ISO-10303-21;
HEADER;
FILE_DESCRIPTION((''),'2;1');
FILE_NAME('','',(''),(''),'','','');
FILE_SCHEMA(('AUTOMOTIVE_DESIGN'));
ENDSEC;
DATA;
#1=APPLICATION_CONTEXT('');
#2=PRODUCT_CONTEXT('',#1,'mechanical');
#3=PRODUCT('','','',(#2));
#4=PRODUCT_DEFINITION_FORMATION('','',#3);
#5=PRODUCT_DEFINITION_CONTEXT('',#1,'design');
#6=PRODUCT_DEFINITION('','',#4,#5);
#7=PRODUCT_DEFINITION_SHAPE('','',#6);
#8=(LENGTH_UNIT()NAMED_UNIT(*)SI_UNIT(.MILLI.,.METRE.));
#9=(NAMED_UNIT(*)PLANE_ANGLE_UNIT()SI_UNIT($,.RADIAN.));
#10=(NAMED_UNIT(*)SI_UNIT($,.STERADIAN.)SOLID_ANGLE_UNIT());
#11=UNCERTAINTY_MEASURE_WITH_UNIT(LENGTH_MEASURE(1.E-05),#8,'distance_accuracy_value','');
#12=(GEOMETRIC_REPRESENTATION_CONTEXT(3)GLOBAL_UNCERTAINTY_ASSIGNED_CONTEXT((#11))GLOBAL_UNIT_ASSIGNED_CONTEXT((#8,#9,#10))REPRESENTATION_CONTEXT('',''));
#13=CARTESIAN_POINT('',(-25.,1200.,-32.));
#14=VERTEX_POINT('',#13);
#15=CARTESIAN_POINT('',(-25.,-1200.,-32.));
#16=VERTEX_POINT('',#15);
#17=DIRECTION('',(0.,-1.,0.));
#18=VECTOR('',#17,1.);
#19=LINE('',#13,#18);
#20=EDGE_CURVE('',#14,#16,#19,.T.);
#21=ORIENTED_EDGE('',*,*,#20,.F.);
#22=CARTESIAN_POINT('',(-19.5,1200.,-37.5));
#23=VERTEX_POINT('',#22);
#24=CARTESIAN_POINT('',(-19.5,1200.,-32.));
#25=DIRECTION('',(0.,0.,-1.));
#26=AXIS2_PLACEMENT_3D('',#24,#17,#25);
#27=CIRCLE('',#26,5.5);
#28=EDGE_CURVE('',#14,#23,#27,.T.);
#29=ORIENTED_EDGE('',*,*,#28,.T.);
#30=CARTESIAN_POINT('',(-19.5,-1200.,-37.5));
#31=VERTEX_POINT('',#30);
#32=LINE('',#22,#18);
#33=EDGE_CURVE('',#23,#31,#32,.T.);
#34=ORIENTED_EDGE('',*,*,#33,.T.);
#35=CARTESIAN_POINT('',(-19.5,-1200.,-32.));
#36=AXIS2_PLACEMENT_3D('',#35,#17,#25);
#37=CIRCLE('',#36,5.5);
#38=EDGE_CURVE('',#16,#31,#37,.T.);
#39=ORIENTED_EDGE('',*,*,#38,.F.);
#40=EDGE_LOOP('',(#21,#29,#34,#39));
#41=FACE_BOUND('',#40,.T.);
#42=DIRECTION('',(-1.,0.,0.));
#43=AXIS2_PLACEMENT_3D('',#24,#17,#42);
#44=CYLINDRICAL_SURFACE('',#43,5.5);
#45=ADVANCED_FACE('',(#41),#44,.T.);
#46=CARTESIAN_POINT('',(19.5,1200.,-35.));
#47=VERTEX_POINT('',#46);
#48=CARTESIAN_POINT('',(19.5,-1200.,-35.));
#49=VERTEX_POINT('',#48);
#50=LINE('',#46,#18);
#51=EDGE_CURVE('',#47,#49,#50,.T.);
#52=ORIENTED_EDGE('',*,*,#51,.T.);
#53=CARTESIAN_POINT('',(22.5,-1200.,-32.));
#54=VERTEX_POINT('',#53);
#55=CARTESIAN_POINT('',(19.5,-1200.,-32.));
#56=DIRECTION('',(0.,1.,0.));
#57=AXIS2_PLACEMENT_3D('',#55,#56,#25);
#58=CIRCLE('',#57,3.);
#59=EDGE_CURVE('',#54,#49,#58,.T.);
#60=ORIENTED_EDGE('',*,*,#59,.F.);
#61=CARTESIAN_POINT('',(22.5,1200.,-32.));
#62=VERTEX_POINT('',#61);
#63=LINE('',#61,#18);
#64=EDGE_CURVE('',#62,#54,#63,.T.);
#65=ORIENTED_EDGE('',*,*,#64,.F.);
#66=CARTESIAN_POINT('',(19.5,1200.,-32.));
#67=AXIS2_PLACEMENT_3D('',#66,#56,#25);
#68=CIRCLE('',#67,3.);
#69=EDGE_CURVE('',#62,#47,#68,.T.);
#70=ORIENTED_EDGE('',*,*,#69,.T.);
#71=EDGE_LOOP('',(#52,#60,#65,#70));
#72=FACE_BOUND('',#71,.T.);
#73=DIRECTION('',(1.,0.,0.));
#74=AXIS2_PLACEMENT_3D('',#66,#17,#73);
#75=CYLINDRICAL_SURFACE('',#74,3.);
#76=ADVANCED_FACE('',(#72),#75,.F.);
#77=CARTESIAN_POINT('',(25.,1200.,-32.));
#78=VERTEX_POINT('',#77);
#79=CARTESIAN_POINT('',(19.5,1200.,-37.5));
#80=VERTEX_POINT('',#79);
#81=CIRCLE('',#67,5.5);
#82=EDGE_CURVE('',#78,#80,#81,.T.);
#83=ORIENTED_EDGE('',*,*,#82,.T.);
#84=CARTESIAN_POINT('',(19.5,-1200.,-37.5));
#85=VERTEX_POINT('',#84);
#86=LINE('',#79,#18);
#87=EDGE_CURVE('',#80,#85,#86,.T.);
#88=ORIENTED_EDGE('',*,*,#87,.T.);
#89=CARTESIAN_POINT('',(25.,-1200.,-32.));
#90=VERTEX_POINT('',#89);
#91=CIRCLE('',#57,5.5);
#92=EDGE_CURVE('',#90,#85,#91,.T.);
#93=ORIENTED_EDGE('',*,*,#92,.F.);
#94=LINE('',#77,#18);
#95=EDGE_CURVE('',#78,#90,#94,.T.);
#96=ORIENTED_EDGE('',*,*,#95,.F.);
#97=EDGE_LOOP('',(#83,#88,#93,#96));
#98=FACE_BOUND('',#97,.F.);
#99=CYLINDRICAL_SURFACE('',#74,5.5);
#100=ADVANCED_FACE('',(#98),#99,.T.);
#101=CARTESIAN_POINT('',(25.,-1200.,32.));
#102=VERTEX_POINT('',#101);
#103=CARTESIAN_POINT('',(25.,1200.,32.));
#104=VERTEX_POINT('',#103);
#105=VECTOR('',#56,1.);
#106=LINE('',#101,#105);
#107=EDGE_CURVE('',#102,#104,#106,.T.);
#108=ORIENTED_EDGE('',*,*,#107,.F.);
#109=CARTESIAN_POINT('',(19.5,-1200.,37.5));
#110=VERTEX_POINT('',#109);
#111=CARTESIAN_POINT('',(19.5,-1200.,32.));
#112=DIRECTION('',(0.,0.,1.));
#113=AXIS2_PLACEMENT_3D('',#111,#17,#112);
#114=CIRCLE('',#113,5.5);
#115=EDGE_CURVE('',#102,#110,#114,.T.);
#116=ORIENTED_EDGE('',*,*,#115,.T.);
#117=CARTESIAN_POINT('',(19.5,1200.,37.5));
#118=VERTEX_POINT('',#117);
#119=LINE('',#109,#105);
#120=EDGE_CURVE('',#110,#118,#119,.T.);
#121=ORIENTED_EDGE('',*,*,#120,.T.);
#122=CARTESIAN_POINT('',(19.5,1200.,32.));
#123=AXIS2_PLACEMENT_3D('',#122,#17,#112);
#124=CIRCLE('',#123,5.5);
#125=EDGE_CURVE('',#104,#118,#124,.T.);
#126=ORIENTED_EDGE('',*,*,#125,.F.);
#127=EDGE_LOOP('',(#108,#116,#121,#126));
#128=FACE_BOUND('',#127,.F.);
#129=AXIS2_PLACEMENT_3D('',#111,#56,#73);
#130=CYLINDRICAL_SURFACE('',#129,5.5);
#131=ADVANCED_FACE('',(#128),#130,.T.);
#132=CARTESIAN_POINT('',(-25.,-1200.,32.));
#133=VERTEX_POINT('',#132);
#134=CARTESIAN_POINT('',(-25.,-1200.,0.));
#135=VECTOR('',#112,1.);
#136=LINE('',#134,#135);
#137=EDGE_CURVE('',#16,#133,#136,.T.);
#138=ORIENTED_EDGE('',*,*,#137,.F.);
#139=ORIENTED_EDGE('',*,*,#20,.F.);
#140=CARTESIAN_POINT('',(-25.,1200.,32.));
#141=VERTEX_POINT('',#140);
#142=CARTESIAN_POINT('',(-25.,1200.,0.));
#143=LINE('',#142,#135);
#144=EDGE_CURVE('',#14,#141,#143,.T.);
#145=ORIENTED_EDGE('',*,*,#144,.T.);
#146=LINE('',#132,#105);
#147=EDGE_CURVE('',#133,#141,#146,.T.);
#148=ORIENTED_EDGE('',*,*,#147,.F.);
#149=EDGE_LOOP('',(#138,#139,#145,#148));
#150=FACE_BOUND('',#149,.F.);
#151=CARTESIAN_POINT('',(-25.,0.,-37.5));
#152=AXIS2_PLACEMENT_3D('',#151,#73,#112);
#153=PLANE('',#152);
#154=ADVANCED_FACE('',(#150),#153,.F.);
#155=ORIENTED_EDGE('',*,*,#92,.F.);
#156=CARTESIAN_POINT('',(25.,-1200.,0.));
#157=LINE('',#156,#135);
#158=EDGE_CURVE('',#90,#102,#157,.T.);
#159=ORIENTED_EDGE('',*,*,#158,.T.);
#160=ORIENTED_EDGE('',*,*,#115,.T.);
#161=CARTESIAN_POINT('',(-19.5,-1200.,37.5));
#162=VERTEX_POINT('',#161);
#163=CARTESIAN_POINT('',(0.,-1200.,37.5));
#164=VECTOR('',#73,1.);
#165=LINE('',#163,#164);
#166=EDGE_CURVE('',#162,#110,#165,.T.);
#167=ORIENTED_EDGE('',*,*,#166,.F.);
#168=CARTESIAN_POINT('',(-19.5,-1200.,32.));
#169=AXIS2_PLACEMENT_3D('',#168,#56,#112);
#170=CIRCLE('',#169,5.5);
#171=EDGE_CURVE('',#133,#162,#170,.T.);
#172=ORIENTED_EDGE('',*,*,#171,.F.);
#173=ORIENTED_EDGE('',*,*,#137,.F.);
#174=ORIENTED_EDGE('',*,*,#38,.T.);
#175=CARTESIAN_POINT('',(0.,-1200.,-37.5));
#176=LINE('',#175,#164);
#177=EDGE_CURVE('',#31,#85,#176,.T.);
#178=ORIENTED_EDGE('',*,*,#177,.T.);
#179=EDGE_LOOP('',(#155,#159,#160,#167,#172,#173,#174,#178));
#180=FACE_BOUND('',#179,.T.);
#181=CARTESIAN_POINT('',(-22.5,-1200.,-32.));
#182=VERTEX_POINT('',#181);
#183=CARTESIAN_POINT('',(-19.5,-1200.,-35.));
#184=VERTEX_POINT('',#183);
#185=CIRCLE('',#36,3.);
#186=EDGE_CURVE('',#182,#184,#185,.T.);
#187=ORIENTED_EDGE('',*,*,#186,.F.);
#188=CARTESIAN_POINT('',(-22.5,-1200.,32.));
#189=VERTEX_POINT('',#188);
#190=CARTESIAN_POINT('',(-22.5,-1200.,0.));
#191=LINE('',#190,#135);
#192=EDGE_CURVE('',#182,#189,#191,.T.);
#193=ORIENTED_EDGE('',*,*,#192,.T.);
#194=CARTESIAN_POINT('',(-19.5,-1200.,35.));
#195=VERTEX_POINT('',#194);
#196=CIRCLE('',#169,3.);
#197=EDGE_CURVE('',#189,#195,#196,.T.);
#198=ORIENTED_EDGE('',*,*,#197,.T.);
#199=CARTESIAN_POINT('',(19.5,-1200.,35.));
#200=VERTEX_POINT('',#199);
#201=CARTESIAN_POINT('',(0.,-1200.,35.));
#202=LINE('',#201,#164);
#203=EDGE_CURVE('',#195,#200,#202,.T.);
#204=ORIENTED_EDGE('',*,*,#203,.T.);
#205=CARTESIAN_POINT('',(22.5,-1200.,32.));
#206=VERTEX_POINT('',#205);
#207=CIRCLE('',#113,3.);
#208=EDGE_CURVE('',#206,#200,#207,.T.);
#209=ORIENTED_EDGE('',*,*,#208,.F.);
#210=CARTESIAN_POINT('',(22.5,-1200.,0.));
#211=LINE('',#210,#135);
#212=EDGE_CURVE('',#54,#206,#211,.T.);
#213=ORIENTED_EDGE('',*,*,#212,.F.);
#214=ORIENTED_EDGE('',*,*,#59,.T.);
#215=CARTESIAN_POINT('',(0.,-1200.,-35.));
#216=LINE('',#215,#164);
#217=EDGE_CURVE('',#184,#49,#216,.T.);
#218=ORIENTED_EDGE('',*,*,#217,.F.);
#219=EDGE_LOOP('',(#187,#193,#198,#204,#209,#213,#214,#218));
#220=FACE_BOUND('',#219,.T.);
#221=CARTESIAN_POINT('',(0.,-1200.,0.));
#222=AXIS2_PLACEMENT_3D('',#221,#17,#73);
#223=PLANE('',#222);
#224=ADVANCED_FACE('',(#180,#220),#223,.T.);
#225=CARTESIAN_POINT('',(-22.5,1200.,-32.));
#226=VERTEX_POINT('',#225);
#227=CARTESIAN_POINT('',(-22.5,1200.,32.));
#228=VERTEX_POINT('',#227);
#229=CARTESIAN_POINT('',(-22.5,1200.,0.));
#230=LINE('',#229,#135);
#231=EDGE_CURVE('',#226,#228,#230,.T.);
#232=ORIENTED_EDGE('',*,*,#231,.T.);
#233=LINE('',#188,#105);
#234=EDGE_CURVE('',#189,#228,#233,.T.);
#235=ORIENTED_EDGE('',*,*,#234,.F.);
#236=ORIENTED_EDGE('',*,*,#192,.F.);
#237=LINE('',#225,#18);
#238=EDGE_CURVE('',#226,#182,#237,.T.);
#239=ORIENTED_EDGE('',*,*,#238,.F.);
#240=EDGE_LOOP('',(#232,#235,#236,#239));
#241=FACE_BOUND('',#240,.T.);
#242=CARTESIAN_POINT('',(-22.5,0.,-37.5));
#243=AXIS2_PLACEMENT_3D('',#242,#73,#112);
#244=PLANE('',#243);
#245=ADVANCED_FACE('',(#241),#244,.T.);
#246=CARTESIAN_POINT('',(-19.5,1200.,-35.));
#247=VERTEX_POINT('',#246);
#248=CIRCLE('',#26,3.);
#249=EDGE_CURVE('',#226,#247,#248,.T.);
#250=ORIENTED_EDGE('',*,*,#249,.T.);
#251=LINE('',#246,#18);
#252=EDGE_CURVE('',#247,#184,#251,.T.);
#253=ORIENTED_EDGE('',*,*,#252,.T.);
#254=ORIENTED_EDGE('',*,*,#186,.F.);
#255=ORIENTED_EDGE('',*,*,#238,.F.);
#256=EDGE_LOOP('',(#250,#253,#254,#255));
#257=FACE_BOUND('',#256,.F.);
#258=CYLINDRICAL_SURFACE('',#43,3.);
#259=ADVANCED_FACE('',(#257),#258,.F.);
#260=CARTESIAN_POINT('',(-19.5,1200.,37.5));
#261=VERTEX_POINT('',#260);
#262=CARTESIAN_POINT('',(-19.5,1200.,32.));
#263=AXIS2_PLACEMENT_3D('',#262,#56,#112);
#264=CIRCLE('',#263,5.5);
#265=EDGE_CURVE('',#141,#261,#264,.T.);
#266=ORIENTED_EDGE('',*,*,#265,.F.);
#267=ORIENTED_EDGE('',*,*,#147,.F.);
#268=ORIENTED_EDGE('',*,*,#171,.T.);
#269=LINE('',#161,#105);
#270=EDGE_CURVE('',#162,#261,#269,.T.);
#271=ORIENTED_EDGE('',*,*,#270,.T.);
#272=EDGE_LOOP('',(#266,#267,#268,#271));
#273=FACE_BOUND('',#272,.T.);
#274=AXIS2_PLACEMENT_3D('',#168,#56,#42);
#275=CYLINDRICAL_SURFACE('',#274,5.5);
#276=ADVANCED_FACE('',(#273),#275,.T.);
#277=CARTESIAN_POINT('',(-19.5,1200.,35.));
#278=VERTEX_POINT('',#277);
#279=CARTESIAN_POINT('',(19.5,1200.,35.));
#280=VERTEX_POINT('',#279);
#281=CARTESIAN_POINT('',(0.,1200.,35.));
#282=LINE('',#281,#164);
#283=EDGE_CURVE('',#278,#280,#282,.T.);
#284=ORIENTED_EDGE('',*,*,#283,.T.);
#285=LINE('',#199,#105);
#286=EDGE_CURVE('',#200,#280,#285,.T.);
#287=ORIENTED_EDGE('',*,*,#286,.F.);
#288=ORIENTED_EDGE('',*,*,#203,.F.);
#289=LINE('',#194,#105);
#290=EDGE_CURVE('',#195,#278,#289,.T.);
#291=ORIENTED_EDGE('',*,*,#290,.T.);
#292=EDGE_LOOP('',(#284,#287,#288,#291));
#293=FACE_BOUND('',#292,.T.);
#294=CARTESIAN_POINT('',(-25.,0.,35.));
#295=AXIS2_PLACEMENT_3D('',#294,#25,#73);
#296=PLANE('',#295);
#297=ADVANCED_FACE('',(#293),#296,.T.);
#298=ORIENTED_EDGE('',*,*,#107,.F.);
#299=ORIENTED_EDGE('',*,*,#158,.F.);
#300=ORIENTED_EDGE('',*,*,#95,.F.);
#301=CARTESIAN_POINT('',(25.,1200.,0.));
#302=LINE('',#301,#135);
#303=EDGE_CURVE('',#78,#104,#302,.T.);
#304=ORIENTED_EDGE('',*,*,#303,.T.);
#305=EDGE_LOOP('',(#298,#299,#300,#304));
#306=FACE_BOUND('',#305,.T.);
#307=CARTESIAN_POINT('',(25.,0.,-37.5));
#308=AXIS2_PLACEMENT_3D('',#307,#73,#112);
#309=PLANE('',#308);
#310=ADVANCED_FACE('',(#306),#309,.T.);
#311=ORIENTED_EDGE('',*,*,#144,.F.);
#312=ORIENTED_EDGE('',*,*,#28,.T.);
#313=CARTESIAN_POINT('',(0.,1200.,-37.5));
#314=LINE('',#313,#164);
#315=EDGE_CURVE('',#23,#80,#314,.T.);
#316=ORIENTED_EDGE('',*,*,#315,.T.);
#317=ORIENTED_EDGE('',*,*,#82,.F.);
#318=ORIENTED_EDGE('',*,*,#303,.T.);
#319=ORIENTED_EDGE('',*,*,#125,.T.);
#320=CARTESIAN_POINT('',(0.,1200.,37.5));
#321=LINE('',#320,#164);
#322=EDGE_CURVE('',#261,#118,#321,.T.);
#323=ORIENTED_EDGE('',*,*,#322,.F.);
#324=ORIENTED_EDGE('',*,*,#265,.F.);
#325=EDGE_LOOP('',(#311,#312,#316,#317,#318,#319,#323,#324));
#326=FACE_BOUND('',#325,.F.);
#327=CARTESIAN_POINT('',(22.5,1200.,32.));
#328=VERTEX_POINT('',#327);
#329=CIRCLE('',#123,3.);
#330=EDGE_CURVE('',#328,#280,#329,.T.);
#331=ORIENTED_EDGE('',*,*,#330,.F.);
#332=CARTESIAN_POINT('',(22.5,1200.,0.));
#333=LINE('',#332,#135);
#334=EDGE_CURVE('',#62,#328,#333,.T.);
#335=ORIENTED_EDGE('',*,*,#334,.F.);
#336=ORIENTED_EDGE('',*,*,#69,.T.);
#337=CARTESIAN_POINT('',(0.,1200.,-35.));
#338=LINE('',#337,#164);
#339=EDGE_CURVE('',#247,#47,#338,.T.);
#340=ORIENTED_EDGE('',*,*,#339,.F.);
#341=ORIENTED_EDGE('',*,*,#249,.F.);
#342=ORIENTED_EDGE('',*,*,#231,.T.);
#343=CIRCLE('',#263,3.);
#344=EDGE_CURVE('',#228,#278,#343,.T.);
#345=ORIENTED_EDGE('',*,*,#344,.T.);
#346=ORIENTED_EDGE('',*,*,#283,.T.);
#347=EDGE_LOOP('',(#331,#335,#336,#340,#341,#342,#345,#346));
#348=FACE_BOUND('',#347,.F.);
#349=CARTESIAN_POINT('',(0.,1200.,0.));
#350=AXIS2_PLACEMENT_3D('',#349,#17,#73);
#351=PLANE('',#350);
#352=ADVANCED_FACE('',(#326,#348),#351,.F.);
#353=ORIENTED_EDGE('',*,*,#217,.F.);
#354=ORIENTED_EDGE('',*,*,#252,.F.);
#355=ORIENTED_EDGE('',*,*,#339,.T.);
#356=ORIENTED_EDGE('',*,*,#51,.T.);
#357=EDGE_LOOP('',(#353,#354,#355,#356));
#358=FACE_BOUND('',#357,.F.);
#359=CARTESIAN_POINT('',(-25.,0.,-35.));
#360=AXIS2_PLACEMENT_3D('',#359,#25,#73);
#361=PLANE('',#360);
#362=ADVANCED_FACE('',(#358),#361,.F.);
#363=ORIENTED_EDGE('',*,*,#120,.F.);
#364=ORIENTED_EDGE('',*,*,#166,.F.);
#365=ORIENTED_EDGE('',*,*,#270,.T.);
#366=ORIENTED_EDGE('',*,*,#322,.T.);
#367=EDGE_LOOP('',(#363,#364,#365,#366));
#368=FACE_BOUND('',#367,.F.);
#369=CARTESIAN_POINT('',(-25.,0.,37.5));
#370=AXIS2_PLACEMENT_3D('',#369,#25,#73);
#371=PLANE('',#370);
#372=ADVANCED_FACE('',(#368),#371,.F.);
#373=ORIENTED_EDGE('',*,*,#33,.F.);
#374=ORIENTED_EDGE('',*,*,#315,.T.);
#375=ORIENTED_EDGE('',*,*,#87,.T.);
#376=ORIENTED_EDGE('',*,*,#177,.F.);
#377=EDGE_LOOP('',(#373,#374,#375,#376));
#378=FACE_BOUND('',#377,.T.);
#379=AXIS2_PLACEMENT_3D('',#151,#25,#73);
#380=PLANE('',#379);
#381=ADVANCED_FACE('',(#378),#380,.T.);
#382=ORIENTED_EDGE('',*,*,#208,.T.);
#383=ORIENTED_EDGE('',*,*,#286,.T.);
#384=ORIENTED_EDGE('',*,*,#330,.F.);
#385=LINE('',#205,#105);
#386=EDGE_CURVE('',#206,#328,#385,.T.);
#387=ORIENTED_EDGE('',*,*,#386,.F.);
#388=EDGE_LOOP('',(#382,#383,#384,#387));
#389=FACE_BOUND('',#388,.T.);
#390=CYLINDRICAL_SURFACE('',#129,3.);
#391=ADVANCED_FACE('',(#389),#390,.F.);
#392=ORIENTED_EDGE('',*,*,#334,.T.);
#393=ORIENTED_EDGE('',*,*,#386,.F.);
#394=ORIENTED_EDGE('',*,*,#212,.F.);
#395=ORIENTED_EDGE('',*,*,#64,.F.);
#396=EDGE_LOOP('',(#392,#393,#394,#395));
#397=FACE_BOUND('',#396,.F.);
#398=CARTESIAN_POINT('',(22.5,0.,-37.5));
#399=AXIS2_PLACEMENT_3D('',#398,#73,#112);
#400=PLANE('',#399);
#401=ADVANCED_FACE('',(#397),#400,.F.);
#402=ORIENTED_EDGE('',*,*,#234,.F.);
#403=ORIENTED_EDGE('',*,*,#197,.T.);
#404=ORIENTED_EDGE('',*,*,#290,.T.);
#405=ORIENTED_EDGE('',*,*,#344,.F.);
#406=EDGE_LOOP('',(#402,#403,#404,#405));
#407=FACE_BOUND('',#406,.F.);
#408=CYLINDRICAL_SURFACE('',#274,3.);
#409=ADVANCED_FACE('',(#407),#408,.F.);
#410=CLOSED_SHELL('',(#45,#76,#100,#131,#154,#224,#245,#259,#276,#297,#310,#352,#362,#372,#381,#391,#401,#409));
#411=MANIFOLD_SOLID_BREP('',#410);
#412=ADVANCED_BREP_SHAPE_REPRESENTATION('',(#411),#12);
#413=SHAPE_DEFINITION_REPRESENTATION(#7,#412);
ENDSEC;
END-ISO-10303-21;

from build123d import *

# Parameters (mm, degrees)
F0_W     = 50
F0_H     = 75
F1_DEPTH = 1200
F2_R     = 5.5
F3_T     = -2.5


with BuildPart() as f1:
    # F0 (on Front) → F1 (new body, symmetric)
    with BuildSketch(Plane.XZ):
        Rectangle(F0_W, F0_H)
    extrude(amount=F1_DEPTH, both=True)

    # F2
    f2_edges = [f1.edges().sort_by_distance(p)[0] for p in [
        (25, 0, 37.5),
        (-25, 0, 37.5),
        (-25, 0, -37.5),
        (25, 0, -37.5),
    ]]
    fillet(f2_edges, radius=F2_R)

    # F3
    f3_openings = [f1.faces().sort_by_distance(p)[0] for p in [
        (0, -1200, 0),
        (0, 1200, 0),
    ]]
    offset(amount=F3_T, openings=f3_openings)


solid = f1.part
